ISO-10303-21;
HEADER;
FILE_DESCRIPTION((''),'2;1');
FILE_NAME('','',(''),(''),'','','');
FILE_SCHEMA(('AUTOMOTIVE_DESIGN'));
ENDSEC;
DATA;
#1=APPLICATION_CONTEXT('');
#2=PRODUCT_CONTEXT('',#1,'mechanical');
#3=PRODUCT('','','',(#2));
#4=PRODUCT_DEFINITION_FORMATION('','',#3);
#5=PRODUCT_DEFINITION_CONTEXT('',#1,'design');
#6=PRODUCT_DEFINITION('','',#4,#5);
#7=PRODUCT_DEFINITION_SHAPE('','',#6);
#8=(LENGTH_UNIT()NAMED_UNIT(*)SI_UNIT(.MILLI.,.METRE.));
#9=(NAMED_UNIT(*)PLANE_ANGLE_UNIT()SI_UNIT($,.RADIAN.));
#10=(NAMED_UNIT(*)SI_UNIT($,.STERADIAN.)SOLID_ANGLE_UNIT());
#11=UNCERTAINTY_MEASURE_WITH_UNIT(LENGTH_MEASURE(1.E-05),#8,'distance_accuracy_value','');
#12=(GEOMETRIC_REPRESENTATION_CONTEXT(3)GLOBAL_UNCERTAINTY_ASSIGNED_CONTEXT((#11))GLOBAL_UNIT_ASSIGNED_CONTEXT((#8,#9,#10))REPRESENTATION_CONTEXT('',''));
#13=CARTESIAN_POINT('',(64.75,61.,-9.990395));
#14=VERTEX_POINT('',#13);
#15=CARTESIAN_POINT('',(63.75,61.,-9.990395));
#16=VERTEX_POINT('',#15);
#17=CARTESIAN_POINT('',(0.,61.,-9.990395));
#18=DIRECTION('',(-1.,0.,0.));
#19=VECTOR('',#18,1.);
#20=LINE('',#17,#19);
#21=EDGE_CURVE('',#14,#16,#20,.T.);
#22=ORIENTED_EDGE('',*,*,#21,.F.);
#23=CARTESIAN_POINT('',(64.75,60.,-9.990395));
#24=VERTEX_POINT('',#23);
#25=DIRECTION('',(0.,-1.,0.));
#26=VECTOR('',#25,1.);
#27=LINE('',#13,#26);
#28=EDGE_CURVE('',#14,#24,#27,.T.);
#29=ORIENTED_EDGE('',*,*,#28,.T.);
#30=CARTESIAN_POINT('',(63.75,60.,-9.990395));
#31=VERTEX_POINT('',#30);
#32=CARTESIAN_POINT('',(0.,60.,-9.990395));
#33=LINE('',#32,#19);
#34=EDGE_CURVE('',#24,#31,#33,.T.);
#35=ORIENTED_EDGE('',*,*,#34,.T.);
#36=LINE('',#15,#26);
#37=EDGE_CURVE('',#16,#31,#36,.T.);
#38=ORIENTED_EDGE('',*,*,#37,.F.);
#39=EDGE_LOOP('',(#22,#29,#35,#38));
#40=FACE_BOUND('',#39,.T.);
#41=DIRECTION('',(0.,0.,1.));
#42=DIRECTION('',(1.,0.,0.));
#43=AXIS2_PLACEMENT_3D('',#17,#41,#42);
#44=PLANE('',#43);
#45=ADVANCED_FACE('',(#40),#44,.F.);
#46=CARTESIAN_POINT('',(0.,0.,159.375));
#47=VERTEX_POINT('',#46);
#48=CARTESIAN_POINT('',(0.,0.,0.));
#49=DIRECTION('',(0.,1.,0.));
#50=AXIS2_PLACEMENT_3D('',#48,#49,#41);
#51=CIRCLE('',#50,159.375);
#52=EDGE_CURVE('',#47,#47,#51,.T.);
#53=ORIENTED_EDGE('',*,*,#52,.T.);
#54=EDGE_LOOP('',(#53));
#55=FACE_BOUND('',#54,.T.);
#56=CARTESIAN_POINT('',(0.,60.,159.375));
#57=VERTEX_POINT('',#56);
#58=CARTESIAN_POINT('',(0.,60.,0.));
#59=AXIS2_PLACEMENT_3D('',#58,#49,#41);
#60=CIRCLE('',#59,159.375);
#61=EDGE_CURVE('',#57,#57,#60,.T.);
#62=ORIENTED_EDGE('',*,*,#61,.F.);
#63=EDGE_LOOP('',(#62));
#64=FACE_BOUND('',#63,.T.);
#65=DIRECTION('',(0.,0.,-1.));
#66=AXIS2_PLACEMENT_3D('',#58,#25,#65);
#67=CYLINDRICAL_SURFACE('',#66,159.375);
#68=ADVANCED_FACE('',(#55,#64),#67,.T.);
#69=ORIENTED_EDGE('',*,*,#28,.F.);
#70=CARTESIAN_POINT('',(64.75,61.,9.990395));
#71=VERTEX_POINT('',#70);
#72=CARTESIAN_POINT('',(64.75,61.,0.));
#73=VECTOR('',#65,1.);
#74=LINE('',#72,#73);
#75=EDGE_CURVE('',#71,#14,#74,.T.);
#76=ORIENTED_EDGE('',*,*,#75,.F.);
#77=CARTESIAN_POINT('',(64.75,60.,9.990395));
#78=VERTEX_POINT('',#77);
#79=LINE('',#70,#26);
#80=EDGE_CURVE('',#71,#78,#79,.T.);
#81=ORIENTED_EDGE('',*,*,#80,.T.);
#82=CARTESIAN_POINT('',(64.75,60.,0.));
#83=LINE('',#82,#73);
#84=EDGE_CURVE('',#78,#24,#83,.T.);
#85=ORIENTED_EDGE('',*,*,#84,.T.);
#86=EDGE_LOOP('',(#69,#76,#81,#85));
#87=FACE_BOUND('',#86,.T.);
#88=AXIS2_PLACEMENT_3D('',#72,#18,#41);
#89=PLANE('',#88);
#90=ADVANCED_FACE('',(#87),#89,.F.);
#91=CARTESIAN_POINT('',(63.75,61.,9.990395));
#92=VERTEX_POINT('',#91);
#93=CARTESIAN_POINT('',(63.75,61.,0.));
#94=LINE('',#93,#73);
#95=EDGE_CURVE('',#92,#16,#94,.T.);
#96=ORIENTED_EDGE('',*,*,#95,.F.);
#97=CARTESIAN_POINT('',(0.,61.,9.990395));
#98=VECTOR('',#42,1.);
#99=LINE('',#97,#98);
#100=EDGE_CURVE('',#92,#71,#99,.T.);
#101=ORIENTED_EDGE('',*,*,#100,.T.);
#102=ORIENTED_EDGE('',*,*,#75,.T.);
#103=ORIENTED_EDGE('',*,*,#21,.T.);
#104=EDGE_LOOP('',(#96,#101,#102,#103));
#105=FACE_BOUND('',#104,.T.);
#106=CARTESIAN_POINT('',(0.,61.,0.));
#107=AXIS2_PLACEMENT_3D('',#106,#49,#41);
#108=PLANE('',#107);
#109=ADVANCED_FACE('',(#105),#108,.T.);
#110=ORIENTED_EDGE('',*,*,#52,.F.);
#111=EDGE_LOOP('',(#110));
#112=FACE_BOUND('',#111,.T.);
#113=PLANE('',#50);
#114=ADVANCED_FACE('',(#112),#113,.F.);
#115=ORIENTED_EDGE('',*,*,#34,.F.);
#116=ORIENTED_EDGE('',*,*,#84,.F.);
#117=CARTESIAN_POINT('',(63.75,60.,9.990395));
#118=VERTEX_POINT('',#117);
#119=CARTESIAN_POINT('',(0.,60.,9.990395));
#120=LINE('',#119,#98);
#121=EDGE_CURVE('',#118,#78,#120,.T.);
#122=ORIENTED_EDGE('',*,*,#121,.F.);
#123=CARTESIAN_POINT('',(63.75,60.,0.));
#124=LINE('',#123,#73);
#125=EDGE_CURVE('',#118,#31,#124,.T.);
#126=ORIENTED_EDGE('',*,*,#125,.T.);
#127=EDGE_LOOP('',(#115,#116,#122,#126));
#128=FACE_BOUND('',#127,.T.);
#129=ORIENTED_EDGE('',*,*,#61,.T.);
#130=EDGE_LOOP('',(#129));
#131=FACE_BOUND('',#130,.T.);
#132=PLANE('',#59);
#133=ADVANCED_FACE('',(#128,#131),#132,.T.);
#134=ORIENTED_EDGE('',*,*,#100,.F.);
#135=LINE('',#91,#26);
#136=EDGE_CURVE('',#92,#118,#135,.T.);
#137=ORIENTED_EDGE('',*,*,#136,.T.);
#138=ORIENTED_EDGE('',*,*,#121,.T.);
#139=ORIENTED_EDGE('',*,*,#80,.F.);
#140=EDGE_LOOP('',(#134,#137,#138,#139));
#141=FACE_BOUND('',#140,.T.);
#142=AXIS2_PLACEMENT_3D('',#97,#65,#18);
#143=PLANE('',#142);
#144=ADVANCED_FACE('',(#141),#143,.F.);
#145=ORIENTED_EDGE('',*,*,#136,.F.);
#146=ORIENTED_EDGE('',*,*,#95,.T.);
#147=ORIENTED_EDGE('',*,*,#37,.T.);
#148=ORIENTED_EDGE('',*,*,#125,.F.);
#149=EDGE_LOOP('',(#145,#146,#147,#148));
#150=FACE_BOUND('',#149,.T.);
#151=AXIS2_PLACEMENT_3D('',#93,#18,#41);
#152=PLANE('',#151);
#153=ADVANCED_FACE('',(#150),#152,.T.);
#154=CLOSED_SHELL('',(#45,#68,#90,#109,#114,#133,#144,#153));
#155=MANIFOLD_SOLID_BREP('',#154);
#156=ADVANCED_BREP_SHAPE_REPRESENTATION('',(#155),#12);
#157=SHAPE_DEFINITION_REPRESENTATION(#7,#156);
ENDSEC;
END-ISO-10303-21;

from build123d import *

# Parameters (mm, degrees)
SKETCH1_R           = 159.375
BOSS_EXTRUDE2_DEPTH = 60
BOSS_EXTRUDE4_DEPTH = 1


with BuildPart() as part:
    # Sketch1 → Boss-Extrude2 (new body)
    with BuildSketch(Plane(origin=(0, 0, 0), x_dir=(1, 0, 0), z_dir=(0, 1, 0))):
        with Locations(Location((0, 0, 0), (0, 0, 270))):
            Circle(SKETCH1_R)
    extrude(amount=BOSS_EXTRUDE2_DEPTH)

    # Sketch3 → Boss-Extrude4 (add)
    with BuildSketch(Plane(origin=(0, 60, 0), x_dir=(1, 0, 0), z_dir=(0, 1, 0))):
        Polygon((63.75, 9.990395), (63.75, 0), (63.75, -9.990395), (64.75, -9.990395), (64.75, 9.990395), align=None)
    extrude(amount=BOSS_EXTRUDE4_DEPTH)


solid = part.part
